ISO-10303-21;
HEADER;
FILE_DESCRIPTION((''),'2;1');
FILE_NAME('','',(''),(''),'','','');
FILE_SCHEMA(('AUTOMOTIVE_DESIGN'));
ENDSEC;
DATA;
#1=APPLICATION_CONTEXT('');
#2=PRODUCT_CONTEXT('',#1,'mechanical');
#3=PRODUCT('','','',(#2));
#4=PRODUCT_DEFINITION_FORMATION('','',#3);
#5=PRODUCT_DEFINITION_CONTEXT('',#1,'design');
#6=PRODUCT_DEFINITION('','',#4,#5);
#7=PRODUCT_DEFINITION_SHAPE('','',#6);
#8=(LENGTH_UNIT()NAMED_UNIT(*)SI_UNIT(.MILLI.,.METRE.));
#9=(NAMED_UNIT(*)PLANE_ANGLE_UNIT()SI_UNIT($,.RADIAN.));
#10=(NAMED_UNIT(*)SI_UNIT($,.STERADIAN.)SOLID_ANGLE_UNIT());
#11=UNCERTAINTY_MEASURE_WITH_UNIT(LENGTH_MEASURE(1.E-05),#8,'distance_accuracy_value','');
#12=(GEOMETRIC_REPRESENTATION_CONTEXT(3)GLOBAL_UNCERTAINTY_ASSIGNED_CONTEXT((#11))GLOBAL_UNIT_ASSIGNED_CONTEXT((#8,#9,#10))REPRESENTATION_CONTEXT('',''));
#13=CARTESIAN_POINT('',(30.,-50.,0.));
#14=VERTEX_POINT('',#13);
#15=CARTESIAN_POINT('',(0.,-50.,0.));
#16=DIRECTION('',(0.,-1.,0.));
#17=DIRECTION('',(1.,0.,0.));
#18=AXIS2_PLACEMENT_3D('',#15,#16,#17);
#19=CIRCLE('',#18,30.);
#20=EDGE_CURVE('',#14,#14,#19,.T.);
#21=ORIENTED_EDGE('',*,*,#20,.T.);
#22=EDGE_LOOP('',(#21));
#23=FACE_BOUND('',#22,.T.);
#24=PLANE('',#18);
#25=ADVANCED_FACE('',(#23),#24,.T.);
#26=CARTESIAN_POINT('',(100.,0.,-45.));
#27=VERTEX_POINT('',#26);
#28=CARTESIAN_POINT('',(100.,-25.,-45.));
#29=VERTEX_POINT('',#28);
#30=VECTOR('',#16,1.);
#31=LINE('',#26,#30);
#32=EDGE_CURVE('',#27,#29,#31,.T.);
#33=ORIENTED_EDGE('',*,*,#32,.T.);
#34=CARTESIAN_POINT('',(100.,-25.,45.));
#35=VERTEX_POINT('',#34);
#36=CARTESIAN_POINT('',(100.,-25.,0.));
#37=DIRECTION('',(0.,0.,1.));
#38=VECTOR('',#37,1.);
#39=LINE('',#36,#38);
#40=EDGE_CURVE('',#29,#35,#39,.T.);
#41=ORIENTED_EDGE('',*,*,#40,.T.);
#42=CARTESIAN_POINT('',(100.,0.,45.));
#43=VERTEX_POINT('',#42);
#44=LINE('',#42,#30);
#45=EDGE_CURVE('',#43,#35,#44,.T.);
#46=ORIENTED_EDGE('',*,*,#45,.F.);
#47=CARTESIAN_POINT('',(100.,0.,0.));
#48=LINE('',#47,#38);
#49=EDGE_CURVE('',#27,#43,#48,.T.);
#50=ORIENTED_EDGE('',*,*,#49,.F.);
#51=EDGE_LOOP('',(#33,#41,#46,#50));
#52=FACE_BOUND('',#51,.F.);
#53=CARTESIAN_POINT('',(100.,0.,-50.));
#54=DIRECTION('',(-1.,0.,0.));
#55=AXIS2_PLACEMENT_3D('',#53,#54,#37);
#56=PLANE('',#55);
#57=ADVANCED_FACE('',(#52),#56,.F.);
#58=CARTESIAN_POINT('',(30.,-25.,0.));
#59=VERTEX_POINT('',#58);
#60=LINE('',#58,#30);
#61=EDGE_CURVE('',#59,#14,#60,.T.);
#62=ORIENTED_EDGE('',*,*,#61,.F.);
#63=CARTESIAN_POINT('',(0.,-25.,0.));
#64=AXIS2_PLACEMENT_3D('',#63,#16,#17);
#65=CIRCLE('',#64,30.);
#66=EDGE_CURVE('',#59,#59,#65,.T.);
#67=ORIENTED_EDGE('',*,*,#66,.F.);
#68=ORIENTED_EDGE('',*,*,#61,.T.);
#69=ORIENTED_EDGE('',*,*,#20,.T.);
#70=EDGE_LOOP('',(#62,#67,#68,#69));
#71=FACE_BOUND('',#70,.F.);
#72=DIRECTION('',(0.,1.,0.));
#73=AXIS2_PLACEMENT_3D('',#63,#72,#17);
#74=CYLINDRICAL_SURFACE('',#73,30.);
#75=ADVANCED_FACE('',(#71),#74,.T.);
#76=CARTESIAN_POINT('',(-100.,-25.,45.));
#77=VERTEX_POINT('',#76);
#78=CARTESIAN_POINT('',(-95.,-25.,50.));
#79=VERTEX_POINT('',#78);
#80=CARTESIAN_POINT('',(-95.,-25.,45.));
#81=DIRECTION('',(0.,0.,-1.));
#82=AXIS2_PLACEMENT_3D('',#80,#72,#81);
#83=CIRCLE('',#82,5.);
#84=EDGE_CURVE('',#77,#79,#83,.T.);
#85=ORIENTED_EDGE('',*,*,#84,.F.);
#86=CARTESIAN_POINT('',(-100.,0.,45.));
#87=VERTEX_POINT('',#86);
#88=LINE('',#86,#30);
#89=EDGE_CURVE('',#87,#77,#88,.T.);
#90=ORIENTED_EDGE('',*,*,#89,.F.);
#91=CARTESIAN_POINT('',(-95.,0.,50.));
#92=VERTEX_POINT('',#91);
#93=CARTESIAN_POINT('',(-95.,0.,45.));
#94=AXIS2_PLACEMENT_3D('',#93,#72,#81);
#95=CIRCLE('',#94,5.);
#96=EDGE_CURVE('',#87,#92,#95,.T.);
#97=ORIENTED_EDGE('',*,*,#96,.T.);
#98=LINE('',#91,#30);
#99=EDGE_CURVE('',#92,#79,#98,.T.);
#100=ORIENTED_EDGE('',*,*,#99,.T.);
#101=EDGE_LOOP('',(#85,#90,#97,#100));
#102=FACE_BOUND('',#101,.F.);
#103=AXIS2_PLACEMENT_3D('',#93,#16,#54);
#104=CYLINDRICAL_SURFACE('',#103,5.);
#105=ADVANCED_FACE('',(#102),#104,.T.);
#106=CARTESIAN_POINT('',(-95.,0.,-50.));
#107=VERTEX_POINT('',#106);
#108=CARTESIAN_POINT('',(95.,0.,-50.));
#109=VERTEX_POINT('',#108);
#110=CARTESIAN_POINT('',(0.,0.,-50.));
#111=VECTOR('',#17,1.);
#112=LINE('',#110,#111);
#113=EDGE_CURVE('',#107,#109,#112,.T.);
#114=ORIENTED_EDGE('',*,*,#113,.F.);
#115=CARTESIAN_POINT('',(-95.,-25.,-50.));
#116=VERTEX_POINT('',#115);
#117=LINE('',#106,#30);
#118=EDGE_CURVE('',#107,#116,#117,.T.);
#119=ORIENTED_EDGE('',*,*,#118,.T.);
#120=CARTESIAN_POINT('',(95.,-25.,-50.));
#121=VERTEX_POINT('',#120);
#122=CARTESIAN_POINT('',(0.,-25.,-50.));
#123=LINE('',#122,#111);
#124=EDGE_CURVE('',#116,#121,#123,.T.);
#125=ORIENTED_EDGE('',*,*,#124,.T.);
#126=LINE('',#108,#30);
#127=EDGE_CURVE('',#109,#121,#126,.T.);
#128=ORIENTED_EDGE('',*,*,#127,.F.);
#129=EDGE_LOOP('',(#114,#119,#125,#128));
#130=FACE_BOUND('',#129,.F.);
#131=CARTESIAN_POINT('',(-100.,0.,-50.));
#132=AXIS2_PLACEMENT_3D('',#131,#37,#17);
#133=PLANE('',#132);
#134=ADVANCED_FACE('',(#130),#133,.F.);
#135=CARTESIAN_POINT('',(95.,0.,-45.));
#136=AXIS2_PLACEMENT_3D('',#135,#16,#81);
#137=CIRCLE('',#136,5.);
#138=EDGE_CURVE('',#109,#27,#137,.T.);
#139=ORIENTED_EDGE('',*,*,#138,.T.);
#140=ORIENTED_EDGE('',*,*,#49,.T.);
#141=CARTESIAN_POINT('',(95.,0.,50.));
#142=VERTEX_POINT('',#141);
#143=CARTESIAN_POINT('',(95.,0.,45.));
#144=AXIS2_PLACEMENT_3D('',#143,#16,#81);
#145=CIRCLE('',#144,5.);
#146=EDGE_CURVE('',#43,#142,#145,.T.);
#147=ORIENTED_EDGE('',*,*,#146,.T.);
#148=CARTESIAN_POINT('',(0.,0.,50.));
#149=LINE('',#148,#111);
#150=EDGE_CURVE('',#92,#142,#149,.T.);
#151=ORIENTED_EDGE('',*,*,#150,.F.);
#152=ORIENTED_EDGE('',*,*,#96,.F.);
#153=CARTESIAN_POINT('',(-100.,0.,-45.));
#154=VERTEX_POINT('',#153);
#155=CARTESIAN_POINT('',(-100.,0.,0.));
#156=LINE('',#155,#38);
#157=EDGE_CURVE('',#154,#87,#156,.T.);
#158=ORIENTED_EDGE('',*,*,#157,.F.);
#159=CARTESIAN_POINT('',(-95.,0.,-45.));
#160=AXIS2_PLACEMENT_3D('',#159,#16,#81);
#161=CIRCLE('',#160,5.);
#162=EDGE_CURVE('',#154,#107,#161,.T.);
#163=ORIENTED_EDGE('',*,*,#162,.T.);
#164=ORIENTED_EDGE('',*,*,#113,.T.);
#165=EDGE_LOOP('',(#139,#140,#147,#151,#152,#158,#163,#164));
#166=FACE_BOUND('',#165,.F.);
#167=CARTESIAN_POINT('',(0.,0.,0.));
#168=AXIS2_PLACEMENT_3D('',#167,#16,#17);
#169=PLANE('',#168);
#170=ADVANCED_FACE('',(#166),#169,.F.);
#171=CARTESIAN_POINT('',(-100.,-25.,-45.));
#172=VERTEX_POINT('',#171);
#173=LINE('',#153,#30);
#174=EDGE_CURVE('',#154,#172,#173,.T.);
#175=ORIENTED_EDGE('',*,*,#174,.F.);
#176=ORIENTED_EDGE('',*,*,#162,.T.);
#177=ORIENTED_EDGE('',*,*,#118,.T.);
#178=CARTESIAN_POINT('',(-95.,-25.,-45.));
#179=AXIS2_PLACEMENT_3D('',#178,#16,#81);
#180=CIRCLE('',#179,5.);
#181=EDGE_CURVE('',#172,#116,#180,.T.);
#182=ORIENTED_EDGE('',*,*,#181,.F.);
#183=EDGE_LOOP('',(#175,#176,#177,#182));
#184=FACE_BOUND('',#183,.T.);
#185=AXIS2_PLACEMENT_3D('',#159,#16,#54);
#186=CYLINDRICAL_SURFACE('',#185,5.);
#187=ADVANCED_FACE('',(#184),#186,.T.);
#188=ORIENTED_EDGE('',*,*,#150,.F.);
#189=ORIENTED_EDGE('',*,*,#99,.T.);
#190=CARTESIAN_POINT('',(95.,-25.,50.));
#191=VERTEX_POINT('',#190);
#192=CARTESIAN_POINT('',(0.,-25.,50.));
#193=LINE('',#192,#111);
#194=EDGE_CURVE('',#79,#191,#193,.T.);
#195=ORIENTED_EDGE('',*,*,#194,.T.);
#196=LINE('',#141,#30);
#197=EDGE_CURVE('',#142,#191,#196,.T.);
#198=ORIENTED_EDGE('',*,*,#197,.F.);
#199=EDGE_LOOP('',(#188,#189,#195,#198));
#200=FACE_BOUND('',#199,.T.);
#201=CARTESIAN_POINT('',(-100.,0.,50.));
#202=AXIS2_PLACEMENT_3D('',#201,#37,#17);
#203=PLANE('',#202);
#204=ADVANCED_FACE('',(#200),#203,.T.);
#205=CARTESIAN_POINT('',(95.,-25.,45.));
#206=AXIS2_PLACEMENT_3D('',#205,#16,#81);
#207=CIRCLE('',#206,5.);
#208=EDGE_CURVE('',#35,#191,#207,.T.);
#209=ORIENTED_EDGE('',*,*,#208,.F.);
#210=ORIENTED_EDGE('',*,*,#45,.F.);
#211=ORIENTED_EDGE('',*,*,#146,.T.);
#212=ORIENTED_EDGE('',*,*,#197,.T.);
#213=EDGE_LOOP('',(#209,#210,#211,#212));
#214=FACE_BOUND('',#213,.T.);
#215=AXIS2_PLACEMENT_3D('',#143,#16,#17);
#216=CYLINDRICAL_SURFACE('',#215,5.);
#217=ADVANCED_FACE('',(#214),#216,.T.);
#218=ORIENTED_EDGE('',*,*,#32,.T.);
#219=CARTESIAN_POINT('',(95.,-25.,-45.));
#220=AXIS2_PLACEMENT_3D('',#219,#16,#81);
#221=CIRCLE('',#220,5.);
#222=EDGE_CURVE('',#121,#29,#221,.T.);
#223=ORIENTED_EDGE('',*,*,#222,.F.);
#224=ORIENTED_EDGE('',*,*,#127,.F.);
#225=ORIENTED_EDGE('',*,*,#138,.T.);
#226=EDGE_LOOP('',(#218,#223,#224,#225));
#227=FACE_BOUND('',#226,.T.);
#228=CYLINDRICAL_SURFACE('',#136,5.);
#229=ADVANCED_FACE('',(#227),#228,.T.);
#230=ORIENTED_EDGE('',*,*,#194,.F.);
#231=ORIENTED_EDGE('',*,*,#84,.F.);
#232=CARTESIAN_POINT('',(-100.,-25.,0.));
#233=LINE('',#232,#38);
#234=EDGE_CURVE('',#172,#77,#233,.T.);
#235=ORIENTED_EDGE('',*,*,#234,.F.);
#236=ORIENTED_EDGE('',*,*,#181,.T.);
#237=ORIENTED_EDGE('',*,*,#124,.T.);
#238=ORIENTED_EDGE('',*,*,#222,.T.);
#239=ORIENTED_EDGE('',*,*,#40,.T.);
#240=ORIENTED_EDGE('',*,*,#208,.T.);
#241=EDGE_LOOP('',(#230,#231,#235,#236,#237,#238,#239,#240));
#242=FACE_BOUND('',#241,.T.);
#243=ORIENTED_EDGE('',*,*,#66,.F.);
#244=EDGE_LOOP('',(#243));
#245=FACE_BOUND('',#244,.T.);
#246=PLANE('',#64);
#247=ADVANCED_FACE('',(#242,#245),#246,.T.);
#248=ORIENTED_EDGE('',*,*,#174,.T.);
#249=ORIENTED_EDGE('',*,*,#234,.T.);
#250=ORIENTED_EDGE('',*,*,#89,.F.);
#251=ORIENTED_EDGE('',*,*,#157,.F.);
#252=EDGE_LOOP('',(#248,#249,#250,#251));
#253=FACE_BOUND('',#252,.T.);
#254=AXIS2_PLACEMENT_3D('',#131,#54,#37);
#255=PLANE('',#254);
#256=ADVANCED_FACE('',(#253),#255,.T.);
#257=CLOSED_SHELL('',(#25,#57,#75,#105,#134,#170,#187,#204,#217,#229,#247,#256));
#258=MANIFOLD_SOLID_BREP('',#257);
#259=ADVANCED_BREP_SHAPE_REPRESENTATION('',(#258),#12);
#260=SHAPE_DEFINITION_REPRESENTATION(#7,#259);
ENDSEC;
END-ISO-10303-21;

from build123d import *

# Parameters (mm, degrees)
F0_W     = 200
F0_H     = 100
F1_DEPTH = 25
F2_R     = 5
F3_R     = 30
F4_DEPTH = 25


with BuildPart() as f1:
    # F0 (on Front) → F1 (new body)
    with BuildSketch(Plane.XZ):
        Rectangle(F0_W, F0_H)
    extrude(amount=F1_DEPTH)

    # F2
    f2_edges = [f1.edges().sort_by_distance(p)[0] for p in [
        (-100, -12.5, -50),
        (100, -12.5, -50),
        (100, -12.5, 50),
        (-100, -12.5, 50),
    ]]
    fillet(f2_edges, radius=F2_R)

    # F3 (on face) → F4 (join)
    with BuildSketch(Plane.XZ.offset(25)):
        Circle(F3_R)
    extrude(amount=F4_DEPTH)


solid = f1.part
